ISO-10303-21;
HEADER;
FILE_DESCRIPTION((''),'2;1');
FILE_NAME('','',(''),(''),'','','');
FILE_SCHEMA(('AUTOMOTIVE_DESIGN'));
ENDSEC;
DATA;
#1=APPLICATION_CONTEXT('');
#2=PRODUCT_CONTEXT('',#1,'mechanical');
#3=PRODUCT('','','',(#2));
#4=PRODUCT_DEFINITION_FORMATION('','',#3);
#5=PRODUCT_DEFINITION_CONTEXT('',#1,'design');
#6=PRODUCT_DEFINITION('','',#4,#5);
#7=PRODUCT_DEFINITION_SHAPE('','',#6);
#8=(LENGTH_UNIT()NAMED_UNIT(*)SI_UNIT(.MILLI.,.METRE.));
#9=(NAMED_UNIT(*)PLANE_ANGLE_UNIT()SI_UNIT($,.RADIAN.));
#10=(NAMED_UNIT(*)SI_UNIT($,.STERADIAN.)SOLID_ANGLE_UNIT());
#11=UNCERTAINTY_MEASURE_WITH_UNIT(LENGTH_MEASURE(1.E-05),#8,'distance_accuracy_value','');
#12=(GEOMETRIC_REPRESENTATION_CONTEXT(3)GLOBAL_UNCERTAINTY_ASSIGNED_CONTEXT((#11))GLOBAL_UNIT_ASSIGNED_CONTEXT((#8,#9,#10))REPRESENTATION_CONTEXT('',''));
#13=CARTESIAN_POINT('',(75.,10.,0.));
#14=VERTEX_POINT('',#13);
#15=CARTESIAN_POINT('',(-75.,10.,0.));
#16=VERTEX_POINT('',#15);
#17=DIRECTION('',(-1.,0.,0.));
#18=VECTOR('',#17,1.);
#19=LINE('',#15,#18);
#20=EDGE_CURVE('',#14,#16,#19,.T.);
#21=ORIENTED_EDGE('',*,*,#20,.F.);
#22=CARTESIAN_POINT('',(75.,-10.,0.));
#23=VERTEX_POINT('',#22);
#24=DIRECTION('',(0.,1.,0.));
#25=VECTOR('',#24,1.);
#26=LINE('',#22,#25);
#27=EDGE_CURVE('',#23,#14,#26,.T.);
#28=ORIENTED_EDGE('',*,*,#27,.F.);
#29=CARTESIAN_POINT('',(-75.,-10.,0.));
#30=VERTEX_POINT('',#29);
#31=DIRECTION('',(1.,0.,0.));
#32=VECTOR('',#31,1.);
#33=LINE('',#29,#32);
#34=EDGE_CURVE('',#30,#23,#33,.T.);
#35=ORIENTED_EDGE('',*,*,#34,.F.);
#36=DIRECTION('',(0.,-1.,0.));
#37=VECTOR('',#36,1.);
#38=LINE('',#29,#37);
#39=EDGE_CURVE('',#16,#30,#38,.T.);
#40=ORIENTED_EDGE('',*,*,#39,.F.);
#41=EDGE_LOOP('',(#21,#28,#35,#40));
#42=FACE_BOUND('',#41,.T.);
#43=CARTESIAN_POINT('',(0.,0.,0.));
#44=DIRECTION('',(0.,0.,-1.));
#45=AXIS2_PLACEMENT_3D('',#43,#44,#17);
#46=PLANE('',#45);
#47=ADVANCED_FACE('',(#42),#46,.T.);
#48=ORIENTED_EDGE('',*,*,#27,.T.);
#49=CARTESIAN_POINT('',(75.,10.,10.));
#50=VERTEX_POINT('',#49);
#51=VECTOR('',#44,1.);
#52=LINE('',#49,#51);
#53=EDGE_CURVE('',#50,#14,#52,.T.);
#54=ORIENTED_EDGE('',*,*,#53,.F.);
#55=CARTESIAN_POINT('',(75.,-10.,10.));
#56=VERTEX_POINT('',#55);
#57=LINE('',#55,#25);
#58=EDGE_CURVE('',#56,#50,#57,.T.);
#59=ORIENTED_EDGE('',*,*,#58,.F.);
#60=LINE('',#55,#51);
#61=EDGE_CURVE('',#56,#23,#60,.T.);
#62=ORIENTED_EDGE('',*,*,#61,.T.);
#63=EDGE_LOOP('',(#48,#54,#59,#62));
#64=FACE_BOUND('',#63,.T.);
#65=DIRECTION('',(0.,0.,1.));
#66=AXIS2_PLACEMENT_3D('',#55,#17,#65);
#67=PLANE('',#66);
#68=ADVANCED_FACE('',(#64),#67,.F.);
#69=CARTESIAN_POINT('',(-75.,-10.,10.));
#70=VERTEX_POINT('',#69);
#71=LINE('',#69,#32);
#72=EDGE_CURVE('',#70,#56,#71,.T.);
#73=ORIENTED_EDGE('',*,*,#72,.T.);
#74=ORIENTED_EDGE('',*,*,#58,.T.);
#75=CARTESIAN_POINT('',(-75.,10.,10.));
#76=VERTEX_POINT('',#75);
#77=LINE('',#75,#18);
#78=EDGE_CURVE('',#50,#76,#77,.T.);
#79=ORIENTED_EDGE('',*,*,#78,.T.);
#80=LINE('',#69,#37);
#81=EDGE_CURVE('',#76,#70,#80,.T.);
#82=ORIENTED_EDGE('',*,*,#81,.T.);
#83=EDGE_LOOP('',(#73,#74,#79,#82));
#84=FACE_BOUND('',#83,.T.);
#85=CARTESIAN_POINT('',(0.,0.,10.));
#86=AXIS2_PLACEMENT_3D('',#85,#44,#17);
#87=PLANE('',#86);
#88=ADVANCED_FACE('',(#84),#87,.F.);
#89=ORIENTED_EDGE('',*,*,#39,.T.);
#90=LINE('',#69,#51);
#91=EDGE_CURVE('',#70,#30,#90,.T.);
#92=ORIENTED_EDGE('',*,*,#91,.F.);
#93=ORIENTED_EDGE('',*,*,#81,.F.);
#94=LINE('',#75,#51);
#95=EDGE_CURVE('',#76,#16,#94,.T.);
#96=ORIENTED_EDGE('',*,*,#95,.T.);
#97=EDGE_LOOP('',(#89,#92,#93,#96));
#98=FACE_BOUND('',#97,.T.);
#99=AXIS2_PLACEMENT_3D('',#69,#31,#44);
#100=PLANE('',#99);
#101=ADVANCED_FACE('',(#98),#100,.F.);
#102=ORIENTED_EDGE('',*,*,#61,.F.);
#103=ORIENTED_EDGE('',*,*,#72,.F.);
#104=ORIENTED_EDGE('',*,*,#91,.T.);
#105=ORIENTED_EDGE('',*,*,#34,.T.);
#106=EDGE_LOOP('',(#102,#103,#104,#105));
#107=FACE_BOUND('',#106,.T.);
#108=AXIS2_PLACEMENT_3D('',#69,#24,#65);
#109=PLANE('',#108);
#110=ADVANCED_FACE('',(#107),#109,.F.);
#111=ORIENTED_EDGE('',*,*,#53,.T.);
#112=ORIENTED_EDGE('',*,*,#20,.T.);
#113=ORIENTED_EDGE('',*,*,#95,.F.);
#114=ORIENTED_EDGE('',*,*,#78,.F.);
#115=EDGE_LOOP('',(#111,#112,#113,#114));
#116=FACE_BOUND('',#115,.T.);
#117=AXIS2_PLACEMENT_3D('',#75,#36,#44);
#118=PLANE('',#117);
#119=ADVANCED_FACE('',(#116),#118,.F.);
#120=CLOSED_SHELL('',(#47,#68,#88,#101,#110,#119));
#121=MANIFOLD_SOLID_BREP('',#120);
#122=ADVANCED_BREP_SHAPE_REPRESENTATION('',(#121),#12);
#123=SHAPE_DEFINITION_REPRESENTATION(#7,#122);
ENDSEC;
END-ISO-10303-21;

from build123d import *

# Parameters (mm, degrees)
SKETCH1_W           = 150
SKETCH1_H           = 20
BOSS_EXTRUDE1_DEPTH = 10


with BuildPart() as part:
    # Sketch1 → Boss-Extrude1 (new body)
    with BuildSketch(Plane.XY):
        Rectangle(SKETCH1_W, SKETCH1_H)
    extrude(amount=BOSS_EXTRUDE1_DEPTH)


solid = part.part
